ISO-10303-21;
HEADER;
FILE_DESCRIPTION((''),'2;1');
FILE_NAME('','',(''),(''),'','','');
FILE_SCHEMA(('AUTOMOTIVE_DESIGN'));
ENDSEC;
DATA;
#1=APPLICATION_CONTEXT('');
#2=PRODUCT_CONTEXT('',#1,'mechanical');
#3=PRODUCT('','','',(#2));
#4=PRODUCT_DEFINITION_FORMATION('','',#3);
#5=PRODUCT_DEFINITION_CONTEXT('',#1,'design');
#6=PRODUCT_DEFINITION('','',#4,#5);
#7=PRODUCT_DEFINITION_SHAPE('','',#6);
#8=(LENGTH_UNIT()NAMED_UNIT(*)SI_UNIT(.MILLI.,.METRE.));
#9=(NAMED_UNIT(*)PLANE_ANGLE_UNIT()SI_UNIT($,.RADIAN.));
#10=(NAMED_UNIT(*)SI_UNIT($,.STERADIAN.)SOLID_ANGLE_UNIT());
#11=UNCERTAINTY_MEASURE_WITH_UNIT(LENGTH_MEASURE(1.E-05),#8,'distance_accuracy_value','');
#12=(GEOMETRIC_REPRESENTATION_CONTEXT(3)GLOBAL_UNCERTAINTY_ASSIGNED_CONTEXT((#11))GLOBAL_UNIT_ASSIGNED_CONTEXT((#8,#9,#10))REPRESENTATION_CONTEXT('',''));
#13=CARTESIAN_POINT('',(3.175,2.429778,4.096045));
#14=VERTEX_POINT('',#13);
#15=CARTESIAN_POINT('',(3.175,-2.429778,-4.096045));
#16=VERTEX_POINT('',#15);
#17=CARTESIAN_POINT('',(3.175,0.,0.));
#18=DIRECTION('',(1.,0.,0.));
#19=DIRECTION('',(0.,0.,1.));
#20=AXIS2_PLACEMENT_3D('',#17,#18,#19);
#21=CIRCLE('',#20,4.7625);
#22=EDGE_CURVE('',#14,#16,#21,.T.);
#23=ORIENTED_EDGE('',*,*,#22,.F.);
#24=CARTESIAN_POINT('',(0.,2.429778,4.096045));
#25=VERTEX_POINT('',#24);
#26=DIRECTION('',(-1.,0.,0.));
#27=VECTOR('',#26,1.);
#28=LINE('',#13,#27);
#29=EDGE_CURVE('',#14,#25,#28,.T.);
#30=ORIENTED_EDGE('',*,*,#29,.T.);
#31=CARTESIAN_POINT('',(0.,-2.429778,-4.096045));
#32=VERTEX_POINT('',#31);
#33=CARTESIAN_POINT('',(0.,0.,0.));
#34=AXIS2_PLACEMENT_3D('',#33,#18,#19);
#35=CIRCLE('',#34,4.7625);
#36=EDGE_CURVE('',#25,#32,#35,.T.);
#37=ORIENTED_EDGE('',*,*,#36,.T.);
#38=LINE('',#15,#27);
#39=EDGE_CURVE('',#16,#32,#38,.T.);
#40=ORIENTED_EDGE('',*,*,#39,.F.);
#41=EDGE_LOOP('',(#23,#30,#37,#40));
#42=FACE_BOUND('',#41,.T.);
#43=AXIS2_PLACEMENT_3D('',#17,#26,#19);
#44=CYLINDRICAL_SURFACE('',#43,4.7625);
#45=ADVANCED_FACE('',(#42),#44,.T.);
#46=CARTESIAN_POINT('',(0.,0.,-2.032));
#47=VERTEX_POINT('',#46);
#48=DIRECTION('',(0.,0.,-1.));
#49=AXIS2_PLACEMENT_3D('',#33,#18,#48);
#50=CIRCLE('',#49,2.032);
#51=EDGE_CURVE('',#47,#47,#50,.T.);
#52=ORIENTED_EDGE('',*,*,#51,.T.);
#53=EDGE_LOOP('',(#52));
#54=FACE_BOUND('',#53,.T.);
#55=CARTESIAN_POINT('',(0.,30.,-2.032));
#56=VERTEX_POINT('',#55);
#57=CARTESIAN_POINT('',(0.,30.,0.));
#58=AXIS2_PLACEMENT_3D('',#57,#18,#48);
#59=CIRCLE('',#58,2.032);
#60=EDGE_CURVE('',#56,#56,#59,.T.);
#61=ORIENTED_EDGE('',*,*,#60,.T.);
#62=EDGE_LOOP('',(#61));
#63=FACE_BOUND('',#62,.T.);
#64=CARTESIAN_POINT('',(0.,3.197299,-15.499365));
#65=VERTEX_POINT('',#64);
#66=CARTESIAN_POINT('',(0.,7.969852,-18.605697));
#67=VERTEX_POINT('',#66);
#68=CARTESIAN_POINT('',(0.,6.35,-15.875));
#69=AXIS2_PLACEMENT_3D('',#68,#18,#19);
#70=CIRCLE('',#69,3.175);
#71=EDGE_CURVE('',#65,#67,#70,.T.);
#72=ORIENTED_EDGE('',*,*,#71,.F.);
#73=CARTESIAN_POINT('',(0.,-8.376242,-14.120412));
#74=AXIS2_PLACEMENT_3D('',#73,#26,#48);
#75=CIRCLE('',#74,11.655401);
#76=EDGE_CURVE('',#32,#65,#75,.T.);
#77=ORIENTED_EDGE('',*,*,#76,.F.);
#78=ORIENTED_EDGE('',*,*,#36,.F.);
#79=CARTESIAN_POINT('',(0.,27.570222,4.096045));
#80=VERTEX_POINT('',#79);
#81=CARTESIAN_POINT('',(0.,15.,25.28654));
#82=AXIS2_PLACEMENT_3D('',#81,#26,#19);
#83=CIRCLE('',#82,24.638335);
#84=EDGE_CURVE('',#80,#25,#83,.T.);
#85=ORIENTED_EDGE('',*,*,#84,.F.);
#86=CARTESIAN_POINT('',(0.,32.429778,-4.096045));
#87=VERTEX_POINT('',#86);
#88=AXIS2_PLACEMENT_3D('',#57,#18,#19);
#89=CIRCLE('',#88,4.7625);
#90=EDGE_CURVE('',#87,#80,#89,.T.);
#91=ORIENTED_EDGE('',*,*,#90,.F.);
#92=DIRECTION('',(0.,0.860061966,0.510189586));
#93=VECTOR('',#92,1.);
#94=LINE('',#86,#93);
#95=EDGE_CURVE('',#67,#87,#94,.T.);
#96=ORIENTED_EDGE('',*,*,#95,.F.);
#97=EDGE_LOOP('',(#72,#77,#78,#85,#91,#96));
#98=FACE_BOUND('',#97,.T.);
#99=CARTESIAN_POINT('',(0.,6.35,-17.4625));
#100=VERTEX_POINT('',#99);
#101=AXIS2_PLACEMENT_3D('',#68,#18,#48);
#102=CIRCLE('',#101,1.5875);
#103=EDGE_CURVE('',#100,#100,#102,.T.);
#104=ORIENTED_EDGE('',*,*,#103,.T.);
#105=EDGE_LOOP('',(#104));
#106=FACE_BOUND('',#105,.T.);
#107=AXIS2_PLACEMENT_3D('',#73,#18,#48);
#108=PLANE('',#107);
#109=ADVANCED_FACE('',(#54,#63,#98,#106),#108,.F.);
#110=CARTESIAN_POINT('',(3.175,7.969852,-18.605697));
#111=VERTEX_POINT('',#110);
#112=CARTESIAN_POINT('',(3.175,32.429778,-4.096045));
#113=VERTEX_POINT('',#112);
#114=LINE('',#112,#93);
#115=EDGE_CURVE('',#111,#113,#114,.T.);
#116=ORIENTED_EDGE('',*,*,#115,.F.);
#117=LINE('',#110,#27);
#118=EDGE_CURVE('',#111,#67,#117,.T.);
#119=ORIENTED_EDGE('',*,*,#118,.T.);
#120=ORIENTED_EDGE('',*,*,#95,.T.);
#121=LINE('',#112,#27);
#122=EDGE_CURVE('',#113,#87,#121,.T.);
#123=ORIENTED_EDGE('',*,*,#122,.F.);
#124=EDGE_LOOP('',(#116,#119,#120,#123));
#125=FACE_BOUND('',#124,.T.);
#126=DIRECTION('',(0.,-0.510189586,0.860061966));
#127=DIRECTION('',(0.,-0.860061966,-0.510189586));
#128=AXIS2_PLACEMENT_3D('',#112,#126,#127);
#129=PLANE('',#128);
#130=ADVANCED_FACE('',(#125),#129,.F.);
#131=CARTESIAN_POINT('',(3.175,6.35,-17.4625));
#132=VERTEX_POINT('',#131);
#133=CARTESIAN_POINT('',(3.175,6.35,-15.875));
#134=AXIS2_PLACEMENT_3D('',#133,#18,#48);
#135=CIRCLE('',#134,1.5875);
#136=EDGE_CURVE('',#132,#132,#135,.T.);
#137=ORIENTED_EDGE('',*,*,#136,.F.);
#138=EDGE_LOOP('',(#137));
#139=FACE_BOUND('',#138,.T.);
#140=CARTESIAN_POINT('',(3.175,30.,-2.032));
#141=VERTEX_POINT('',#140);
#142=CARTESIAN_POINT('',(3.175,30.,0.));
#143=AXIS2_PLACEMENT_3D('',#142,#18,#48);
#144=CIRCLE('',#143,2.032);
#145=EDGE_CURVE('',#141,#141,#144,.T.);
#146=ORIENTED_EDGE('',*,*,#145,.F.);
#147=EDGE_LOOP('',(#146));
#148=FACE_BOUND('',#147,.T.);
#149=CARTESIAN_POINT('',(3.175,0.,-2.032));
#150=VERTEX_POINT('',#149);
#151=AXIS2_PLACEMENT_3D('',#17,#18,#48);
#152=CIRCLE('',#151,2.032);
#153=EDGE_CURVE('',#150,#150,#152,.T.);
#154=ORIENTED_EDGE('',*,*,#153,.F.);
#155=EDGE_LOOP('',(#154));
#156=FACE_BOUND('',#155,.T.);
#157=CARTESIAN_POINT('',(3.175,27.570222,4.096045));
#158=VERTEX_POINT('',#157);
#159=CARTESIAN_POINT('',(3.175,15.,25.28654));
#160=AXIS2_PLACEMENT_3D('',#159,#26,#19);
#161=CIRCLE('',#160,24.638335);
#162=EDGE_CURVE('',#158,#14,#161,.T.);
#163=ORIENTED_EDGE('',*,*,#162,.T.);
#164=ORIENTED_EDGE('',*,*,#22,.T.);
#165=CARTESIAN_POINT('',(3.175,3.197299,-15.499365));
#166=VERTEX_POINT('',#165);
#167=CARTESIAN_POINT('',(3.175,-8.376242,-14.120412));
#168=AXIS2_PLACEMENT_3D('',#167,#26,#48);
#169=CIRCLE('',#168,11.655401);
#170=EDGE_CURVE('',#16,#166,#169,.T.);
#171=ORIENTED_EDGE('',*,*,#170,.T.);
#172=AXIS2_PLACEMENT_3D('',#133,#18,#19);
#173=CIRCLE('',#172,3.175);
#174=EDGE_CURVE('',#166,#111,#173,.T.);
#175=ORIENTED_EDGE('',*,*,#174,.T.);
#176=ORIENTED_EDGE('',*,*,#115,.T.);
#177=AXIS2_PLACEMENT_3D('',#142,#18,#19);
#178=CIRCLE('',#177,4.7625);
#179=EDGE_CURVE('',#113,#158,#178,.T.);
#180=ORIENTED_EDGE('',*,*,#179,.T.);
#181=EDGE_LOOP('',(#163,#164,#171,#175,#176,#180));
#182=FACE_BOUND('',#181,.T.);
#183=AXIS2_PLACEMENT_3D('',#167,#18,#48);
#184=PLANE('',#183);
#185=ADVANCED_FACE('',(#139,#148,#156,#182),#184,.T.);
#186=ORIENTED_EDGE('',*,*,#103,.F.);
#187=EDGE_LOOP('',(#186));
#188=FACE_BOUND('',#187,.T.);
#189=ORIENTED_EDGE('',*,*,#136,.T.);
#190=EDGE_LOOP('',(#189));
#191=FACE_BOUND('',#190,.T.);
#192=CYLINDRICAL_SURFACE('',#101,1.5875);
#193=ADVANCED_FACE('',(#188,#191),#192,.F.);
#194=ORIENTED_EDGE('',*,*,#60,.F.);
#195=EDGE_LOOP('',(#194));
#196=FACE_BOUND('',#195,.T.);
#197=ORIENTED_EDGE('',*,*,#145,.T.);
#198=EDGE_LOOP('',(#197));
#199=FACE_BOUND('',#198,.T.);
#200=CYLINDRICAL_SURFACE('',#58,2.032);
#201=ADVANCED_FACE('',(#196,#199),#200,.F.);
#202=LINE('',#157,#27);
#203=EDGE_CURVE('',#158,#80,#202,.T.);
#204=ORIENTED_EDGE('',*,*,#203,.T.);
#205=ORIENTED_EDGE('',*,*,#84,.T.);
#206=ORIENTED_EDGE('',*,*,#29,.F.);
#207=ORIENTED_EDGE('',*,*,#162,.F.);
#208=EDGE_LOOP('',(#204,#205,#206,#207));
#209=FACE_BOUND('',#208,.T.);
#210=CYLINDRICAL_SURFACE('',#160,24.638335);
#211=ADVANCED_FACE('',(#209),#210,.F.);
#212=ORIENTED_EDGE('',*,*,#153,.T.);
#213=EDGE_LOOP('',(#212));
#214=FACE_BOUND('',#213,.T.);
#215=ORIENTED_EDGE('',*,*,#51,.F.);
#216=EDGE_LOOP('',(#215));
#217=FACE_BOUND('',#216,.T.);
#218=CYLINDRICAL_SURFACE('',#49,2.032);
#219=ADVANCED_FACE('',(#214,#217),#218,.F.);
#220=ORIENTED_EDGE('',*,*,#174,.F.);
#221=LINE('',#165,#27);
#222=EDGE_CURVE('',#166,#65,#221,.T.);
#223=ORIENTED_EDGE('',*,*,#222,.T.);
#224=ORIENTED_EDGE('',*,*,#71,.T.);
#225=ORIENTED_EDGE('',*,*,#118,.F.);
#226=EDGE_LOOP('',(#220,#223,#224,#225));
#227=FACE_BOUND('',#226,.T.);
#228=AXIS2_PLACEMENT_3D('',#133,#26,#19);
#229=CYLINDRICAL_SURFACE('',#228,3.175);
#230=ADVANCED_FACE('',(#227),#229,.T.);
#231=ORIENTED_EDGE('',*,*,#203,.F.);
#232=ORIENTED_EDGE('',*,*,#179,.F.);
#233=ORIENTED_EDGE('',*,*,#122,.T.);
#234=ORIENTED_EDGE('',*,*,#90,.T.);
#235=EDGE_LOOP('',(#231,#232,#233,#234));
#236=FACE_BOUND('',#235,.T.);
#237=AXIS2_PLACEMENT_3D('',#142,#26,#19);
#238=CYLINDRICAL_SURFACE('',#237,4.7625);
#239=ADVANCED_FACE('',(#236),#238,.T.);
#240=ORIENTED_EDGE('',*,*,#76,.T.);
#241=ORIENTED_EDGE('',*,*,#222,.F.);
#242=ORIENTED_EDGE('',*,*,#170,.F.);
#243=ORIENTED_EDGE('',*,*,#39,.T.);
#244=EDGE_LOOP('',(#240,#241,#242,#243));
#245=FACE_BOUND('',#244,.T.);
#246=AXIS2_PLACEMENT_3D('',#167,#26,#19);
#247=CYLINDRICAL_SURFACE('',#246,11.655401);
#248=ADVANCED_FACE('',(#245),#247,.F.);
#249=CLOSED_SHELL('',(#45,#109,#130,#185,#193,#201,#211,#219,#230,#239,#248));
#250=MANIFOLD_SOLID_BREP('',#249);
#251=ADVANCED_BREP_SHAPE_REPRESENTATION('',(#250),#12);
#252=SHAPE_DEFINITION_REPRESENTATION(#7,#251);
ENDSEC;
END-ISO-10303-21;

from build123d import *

# Parameters (mm, degrees)
BOSS_EXTRUDE1_DEPTH = 3.175
SKETCH2_R           = 2.032
SKETCH2_R_2         = 1.5875
CUT_EXTRUDE1_DEPTH  = 40.767003046


with BuildPart() as part:
    # Sketch1 → Boss-Extrude1 (new body)
    with BuildSketch(Plane(origin=(0, 0, 0), x_dir=(0, 0, -1), z_dir=(1, 0, 0))):
        with BuildLine():
            Line((4.096045115, 32.429777905), (18.605696743, 7.969851937))
            ThreePointArc((18.605696743, 7.969851937), (18.535994972, 4.618026917), (15.499364997, 3.19729904))
            ThreePointArc((15.499364997, 3.19729904), (8.962719261, 2.075866472), (4.096045115, -2.429777905))
            ThreePointArc((4.096045115, -2.429777905), (-2.429777905, -4.096045115), (-4.096045115, 2.429777905))
            ThreePointArc((-4.096045115, 2.429777905), (-0.648204921, 15), (-4.096045115, 27.570222095))
            ThreePointArc((-4.096045115, 27.570222095), (-2.429777905, 34.096045115), (4.096045115, 32.429777905))
        make_face()
    extrude(amount=BOSS_EXTRUDE1_DEPTH)

    # Sketch2 → Cut-Extrude1 (cut, through all)
    with BuildSketch(Plane(origin=(3.175, 0, 0), x_dir=(0, 0, -1), z_dir=(1, 0, 0))):
        with Locations((0, 30)):
            Circle(SKETCH2_R)
        Circle(SKETCH2_R)
        with Locations((15.875, 6.35)):
            Circle(SKETCH2_R_2)
    extrude(amount=-CUT_EXTRUDE1_DEPTH, mode=Mode.SUBTRACT)


solid = part.part
